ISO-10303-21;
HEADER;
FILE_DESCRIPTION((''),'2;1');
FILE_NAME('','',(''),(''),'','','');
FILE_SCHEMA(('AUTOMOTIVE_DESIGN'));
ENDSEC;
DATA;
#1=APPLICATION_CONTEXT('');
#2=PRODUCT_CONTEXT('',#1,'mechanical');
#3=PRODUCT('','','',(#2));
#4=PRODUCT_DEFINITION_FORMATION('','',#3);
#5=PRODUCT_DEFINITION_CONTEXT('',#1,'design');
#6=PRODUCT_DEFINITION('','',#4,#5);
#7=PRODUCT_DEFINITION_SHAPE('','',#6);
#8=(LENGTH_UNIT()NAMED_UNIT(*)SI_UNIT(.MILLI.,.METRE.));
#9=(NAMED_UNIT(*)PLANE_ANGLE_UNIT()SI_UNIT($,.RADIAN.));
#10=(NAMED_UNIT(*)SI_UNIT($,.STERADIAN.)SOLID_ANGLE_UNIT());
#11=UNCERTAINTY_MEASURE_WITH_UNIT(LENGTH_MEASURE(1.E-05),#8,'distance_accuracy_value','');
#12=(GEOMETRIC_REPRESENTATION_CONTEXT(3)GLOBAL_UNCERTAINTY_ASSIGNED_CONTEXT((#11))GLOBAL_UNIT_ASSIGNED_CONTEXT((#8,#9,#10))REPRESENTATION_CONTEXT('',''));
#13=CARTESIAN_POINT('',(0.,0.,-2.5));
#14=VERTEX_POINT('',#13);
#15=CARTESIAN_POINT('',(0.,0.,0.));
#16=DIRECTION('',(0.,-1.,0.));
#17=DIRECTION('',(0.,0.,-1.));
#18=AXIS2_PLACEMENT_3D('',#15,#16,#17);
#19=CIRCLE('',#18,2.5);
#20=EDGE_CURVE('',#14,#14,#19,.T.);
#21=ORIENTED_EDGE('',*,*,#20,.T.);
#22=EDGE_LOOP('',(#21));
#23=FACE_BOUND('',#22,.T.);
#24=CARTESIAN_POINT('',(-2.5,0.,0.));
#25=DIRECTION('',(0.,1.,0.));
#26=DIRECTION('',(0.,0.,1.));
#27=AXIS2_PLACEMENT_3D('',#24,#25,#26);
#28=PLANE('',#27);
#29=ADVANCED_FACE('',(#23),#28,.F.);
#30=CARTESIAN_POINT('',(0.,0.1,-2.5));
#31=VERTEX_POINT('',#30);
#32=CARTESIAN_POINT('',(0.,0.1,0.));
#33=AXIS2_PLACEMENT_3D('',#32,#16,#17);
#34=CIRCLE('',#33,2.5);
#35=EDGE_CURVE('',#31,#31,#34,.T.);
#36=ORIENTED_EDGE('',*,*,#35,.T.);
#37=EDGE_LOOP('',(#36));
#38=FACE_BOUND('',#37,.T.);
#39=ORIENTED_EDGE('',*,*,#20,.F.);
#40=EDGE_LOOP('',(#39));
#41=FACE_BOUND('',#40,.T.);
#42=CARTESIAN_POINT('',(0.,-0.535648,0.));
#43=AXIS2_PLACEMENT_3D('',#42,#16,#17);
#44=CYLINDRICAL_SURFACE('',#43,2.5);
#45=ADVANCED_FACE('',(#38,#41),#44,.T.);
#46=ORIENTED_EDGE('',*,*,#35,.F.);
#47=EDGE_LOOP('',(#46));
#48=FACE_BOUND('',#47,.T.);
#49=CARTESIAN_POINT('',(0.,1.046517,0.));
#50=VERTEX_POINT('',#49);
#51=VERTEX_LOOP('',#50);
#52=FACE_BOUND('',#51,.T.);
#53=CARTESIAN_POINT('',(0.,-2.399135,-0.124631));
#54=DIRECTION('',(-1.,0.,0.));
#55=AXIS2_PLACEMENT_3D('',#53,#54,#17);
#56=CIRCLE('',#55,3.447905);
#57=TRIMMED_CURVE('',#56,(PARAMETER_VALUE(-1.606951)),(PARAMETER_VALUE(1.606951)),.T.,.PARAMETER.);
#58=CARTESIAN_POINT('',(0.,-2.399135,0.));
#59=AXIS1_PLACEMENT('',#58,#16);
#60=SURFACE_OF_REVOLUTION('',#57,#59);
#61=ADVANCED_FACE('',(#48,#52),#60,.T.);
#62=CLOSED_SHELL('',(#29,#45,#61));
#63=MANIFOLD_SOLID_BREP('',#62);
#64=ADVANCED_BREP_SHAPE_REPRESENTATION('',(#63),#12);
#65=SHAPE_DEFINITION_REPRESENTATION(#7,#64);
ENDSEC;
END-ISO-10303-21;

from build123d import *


with BuildPart() as part:
    # Sketch1 → Revolve1 (revolve)
    with BuildSketch(Plane.XY):
        with BuildLine():
            Line((-2.5, 0.1), (-2.5, 0))
            Line((-2.5, 0), (0, 0))
            Line((0, 0), (0, 1.046517266))
            ThreePointArc((0, 1.046517266), (-1.345462348, 0.825399698), (-2.5, 0.1))
        make_face()
    revolve(axis=Axis((0, -0.535647926, 0), (0, 1, 0)))


solid = part.part
